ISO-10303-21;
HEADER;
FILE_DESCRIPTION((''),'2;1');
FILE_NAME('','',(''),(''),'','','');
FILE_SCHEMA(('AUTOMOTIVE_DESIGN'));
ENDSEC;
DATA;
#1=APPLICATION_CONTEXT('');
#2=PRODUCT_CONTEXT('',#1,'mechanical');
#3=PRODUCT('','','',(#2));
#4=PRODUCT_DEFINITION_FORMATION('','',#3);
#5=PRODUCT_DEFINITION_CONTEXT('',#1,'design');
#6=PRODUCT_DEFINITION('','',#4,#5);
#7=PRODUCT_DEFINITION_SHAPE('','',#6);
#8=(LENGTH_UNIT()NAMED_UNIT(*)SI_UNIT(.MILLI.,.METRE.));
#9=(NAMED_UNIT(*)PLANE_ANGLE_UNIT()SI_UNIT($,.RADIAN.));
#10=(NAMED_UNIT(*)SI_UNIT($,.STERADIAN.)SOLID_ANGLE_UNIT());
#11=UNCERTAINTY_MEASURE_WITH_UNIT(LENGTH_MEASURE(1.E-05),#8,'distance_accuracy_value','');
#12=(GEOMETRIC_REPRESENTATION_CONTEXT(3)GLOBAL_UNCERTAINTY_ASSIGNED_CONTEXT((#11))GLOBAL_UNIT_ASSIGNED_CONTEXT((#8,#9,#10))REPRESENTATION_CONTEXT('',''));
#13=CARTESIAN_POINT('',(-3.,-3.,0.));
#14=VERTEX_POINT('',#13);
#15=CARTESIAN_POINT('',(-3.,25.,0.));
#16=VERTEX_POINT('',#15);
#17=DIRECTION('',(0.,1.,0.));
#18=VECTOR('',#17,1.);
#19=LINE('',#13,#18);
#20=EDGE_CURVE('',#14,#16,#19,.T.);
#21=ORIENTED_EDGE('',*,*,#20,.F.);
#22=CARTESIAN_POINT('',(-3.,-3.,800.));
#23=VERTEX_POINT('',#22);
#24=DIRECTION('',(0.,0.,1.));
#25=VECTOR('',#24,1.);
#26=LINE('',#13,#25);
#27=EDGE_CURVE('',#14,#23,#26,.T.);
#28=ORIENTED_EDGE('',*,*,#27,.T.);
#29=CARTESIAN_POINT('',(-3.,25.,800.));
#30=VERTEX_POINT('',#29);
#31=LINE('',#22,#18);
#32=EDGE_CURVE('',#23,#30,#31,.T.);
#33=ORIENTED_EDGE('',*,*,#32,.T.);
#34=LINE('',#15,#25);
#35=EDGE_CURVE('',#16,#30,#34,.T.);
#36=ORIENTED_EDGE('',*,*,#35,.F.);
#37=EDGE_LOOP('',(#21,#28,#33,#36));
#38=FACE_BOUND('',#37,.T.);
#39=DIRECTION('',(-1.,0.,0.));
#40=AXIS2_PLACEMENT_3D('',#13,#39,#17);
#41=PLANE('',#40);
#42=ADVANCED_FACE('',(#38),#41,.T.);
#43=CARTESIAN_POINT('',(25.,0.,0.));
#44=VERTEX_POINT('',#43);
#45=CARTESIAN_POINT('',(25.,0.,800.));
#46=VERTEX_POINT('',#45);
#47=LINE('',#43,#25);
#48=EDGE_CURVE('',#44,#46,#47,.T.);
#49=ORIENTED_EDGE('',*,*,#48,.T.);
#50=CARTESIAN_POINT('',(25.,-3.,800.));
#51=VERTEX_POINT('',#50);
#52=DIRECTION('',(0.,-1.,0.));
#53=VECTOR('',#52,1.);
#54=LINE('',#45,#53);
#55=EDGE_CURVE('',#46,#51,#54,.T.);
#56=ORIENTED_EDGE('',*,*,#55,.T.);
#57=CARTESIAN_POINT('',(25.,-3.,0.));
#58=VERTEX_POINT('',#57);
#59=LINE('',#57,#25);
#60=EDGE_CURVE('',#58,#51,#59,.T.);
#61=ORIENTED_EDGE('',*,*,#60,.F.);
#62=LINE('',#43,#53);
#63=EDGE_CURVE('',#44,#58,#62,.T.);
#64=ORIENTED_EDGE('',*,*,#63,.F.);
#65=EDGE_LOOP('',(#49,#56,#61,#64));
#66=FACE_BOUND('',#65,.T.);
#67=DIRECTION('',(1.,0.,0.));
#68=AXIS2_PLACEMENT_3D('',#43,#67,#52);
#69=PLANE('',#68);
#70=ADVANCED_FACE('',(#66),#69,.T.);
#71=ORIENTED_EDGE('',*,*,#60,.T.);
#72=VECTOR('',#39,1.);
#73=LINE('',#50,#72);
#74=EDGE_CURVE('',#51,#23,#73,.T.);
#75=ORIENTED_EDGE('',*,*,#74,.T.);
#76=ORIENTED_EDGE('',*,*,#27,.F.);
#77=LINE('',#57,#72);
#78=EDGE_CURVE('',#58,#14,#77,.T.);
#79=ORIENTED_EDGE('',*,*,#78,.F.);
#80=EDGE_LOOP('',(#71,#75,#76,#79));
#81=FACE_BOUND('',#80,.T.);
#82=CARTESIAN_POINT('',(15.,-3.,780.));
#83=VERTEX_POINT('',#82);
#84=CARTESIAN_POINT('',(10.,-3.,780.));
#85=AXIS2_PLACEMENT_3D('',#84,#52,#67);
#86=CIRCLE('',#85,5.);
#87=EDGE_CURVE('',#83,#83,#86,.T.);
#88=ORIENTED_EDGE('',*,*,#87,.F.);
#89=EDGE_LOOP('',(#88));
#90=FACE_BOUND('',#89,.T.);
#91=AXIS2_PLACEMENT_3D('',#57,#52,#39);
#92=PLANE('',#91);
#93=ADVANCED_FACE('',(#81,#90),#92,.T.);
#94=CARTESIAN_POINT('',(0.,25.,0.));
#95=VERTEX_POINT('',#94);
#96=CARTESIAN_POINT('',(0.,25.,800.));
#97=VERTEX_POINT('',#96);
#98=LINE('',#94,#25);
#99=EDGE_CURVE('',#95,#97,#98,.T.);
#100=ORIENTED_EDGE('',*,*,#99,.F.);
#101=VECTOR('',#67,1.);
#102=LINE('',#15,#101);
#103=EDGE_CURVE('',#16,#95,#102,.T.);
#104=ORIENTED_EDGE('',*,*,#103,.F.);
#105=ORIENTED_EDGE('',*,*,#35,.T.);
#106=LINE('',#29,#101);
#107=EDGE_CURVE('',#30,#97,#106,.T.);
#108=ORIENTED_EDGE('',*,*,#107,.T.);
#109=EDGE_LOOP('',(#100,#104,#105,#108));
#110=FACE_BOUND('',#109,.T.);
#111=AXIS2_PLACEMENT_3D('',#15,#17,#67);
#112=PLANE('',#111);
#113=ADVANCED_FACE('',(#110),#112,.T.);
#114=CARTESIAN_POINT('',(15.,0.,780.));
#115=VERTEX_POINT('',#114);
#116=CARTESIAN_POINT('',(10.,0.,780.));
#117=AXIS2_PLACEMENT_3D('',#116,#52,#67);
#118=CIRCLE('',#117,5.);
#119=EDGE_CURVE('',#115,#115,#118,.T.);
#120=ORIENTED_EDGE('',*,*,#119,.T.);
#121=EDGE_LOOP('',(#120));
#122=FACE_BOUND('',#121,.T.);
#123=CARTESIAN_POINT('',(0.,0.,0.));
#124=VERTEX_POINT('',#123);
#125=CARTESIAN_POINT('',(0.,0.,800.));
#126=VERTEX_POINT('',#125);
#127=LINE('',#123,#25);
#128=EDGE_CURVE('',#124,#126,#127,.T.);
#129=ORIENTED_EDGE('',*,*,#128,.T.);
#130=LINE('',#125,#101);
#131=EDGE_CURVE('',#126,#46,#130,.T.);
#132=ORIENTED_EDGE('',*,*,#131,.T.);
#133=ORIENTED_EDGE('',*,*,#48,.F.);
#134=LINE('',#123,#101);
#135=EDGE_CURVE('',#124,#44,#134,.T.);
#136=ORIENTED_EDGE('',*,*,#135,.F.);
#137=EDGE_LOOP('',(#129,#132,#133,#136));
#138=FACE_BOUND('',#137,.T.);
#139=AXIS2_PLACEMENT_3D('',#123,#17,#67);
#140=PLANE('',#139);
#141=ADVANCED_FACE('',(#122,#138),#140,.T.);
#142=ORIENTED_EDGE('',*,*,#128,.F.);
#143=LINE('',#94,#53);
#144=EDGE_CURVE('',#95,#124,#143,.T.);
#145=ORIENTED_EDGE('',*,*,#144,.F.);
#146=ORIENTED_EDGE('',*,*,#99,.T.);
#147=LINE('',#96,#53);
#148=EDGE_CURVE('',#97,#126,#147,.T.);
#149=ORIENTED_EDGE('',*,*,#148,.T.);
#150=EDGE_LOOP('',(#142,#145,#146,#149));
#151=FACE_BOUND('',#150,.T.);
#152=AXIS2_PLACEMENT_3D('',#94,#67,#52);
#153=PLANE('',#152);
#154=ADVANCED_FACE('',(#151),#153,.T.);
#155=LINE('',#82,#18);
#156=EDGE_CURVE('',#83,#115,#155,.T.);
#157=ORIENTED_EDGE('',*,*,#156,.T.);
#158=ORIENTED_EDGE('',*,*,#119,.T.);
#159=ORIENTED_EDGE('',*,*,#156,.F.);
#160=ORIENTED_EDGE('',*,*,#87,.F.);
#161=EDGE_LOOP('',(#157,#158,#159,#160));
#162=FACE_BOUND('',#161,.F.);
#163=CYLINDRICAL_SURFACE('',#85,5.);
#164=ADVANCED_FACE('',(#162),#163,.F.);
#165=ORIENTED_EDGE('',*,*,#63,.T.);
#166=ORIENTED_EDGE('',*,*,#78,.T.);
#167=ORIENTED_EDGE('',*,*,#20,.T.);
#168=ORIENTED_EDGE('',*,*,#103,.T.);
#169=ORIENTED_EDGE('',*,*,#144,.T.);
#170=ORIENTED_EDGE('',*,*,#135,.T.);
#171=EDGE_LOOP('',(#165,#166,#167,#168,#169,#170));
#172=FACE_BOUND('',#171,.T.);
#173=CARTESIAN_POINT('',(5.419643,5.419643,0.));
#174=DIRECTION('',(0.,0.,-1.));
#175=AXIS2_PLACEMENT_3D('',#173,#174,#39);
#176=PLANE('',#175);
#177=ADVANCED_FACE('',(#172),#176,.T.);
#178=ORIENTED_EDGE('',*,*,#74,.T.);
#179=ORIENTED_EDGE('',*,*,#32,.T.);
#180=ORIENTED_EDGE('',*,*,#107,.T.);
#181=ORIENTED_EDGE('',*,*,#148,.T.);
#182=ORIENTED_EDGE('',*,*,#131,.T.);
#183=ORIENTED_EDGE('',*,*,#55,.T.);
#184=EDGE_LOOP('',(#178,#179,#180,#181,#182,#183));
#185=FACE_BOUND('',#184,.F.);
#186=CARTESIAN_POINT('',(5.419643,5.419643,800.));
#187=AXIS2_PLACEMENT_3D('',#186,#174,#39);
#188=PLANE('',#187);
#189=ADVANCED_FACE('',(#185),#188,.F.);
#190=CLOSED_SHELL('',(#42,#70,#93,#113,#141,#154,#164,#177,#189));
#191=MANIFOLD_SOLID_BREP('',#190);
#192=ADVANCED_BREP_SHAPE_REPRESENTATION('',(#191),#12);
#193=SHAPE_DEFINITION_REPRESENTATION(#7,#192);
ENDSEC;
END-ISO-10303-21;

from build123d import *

# Parameters (mm, degrees)
EXTRUDE_1_DEPTH     = 800
SKETCH_2_R          = 5
CUT_EXTRUDE_1_DEPTH = 10


with BuildPart() as part:
    # Эскиз1 → Вытянуть-Тонкостенный1 (new body)
    with BuildSketch(Plane.XY):
        Polygon((0, 25), (0, 0), (25, 0), (25, -3), (-3, -3), (-3, 25), align=None)
    extrude(amount=EXTRUDE_1_DEPTH)

    # Эскиз2 → Вырез-Вытянуть1 (cut)
    with BuildSketch(Plane.XZ.offset(3)):
        with Locations((10, 780)):
            Circle(SKETCH_2_R)
    extrude(amount=-CUT_EXTRUDE_1_DEPTH, mode=Mode.SUBTRACT)


solid = part.part
